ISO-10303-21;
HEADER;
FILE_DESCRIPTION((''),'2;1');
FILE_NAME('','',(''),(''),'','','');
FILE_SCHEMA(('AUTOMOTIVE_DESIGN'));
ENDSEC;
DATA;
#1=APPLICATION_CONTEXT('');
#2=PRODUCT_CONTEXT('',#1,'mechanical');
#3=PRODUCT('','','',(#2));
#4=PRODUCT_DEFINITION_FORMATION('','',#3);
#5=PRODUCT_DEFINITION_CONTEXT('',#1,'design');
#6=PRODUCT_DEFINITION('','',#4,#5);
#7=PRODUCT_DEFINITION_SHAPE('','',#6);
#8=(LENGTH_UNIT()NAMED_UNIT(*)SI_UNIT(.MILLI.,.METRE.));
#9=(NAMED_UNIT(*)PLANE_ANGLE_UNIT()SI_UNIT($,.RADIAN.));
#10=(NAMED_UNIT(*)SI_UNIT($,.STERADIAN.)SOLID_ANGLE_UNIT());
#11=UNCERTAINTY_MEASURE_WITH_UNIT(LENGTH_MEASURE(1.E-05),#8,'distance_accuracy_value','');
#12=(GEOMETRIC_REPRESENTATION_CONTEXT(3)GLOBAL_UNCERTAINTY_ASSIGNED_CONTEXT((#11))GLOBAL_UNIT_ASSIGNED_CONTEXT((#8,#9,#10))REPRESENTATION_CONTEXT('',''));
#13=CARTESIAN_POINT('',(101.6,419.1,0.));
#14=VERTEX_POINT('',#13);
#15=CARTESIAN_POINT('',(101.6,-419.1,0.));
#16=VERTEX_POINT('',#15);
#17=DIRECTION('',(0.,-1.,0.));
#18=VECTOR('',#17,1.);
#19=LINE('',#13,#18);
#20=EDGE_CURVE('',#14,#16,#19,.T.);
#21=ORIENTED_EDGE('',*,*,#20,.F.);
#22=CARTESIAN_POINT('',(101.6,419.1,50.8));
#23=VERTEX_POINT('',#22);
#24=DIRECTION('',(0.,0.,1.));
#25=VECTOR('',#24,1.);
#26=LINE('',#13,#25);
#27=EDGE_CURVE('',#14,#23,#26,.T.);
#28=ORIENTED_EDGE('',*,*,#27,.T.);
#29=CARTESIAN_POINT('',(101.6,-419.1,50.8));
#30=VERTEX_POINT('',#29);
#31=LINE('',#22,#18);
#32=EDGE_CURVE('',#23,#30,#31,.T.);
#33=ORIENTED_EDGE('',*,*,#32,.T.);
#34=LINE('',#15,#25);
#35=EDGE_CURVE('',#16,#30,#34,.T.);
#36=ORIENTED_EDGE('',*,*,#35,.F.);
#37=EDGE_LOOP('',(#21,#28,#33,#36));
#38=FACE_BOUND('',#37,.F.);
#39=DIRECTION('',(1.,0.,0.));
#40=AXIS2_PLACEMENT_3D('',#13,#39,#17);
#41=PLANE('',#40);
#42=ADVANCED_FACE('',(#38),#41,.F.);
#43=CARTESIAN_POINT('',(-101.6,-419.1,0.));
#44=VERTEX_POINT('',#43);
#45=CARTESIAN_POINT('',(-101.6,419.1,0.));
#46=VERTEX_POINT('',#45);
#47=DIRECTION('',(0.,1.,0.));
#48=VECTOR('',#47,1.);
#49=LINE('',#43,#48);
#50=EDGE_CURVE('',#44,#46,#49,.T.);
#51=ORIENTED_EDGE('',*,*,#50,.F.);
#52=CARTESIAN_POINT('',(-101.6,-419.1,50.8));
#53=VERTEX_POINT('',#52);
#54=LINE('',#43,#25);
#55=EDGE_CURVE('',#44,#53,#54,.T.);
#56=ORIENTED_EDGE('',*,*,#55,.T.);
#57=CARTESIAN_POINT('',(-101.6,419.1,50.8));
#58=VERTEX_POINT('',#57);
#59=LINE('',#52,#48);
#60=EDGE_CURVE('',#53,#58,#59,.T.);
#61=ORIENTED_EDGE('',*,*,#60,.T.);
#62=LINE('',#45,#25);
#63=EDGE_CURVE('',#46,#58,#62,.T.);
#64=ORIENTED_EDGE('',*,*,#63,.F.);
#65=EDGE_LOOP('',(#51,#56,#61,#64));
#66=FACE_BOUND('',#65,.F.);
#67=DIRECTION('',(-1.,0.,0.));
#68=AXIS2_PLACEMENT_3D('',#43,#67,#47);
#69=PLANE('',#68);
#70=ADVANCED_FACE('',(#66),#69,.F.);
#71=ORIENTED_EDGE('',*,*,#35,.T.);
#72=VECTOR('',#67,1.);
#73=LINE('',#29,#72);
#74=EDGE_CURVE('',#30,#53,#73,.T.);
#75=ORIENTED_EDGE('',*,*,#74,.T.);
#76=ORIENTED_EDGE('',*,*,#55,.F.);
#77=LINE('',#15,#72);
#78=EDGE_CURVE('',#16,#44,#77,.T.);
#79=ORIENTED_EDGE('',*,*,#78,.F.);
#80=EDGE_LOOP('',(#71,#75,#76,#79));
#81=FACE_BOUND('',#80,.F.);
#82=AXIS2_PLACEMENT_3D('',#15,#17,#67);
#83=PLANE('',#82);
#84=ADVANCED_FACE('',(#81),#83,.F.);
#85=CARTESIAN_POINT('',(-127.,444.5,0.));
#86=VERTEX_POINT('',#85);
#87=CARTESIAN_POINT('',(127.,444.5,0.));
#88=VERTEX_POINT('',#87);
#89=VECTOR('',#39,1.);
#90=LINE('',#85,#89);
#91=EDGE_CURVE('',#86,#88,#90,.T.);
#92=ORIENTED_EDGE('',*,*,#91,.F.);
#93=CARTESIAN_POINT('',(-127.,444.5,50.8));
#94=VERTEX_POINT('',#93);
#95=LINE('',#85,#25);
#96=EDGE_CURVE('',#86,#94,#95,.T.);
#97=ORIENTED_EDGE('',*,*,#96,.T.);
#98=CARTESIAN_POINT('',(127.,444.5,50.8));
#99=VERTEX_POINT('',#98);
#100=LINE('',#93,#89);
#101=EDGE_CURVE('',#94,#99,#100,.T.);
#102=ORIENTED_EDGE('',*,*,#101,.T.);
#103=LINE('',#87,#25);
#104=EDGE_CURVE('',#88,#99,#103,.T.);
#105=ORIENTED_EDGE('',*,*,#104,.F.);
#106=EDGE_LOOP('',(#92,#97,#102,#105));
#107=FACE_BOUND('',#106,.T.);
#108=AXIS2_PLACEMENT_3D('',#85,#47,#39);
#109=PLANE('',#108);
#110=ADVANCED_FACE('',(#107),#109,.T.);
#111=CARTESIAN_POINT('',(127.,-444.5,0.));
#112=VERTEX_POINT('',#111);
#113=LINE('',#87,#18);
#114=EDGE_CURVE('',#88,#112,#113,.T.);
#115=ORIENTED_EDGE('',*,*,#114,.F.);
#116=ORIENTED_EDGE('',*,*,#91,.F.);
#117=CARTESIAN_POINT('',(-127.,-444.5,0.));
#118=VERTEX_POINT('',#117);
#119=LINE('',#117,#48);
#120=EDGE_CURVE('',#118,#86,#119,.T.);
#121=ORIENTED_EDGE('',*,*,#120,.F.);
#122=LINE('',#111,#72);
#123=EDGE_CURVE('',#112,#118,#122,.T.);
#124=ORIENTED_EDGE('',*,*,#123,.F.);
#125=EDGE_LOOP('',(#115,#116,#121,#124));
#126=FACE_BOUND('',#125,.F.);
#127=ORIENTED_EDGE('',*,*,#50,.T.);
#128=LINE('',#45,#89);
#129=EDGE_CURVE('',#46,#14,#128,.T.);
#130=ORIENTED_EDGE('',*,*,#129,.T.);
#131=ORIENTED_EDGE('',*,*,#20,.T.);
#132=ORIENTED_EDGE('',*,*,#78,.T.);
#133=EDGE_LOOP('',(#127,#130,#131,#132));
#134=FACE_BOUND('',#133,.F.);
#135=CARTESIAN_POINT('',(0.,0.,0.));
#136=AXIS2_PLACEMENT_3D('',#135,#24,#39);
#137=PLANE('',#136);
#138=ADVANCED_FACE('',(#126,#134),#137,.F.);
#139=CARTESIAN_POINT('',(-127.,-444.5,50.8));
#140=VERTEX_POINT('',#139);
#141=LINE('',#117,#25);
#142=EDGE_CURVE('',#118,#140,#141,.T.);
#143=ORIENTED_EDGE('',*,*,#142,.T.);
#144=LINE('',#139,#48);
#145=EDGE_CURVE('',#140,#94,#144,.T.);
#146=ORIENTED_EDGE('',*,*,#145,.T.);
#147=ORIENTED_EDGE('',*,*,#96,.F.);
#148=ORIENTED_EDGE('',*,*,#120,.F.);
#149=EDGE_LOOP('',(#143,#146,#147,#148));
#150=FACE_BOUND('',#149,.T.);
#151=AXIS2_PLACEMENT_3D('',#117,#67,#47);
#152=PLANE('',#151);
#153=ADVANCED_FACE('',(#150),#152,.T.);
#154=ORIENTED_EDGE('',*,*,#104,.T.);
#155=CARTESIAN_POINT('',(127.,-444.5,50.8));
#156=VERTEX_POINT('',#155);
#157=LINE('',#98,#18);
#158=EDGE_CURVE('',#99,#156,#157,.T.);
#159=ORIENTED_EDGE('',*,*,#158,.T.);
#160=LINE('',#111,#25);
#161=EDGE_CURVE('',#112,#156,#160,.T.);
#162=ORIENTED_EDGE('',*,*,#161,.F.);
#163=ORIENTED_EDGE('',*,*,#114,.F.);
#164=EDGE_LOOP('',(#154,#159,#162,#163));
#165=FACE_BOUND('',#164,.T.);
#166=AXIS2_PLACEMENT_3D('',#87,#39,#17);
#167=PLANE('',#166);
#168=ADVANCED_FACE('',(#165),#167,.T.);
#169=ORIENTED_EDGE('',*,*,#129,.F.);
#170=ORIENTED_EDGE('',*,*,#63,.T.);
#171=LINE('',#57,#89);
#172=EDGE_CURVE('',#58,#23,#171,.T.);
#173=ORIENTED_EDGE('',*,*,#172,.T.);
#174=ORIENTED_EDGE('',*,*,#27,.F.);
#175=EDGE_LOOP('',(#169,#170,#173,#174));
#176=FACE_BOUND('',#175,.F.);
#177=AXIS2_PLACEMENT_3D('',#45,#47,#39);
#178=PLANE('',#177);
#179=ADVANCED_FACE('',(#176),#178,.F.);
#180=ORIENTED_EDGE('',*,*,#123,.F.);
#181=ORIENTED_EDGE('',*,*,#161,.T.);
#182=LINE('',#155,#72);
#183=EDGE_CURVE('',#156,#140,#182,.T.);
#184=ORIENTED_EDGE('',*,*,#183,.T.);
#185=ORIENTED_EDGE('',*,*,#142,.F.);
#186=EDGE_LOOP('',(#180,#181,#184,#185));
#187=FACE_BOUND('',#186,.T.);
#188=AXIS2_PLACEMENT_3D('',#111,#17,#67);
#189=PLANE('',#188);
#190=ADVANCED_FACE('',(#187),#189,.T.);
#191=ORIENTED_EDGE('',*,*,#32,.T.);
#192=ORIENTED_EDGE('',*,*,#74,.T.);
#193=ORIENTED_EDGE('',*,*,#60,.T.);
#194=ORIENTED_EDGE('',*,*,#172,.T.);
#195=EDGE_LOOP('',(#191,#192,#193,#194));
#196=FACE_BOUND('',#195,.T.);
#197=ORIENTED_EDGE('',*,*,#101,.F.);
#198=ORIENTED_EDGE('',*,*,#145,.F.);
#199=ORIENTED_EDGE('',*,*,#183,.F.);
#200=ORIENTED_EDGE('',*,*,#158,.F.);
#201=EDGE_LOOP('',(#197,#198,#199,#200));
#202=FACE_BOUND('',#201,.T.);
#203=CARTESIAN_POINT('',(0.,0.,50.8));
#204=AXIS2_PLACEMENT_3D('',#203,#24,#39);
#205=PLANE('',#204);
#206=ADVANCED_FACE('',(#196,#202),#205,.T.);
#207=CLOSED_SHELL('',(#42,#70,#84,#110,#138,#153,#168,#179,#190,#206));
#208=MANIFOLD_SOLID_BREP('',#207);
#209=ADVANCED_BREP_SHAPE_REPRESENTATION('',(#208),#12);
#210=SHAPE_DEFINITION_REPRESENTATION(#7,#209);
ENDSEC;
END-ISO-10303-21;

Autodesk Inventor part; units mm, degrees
ref_plane "YZ Plane" through (0, 0, 0) normal (1, 0, 0) x (0, 1, 0)
ref_plane "XZ Plane" through (0, 0, 0) normal (0, 1, 0) x (-1, 0, 0)
ref_plane "XY Plane" through (0, 0, 0) normal (0, 0, 1) x (1, 0, 0)
sketch "Sketch1" plane through (0, 0, 0) normal (0, 0, 1) x (1, 0, 0)
  line L0 (-127, 444.5) -> (127, 444.5)
  line L1 (127, 444.5) -> (127, -444.5)
  line L2 (127, -444.5) -> (-127, -444.5)
  line L3 (-127, -444.5) -> (-127, 444.5)
  line L4 (-127, 444.5) -> (127, -444.5) construction
  line L5 (127, 444.5) -> (-127, -444.5) construction
  line L6 (-101.6, 419.1) -> (101.6, 419.1)
  line L7 (101.6, 419.1) -> (101.6, -419.1)
  line L8 (101.6, -419.1) -> (-101.6, -419.1)
  line L9 (-101.6, -419.1) -> (-101.6, 419.1)
  point P0 (0, 0)
  dimension "d0" = 254
  dimension "d1" = 889
  dimension "d4" = 25.4
extrude "Extrusion1" add sketch "Sketch1" along normal blind 50.8
properties part number "EL1-005" material "Aluminum 6061"
